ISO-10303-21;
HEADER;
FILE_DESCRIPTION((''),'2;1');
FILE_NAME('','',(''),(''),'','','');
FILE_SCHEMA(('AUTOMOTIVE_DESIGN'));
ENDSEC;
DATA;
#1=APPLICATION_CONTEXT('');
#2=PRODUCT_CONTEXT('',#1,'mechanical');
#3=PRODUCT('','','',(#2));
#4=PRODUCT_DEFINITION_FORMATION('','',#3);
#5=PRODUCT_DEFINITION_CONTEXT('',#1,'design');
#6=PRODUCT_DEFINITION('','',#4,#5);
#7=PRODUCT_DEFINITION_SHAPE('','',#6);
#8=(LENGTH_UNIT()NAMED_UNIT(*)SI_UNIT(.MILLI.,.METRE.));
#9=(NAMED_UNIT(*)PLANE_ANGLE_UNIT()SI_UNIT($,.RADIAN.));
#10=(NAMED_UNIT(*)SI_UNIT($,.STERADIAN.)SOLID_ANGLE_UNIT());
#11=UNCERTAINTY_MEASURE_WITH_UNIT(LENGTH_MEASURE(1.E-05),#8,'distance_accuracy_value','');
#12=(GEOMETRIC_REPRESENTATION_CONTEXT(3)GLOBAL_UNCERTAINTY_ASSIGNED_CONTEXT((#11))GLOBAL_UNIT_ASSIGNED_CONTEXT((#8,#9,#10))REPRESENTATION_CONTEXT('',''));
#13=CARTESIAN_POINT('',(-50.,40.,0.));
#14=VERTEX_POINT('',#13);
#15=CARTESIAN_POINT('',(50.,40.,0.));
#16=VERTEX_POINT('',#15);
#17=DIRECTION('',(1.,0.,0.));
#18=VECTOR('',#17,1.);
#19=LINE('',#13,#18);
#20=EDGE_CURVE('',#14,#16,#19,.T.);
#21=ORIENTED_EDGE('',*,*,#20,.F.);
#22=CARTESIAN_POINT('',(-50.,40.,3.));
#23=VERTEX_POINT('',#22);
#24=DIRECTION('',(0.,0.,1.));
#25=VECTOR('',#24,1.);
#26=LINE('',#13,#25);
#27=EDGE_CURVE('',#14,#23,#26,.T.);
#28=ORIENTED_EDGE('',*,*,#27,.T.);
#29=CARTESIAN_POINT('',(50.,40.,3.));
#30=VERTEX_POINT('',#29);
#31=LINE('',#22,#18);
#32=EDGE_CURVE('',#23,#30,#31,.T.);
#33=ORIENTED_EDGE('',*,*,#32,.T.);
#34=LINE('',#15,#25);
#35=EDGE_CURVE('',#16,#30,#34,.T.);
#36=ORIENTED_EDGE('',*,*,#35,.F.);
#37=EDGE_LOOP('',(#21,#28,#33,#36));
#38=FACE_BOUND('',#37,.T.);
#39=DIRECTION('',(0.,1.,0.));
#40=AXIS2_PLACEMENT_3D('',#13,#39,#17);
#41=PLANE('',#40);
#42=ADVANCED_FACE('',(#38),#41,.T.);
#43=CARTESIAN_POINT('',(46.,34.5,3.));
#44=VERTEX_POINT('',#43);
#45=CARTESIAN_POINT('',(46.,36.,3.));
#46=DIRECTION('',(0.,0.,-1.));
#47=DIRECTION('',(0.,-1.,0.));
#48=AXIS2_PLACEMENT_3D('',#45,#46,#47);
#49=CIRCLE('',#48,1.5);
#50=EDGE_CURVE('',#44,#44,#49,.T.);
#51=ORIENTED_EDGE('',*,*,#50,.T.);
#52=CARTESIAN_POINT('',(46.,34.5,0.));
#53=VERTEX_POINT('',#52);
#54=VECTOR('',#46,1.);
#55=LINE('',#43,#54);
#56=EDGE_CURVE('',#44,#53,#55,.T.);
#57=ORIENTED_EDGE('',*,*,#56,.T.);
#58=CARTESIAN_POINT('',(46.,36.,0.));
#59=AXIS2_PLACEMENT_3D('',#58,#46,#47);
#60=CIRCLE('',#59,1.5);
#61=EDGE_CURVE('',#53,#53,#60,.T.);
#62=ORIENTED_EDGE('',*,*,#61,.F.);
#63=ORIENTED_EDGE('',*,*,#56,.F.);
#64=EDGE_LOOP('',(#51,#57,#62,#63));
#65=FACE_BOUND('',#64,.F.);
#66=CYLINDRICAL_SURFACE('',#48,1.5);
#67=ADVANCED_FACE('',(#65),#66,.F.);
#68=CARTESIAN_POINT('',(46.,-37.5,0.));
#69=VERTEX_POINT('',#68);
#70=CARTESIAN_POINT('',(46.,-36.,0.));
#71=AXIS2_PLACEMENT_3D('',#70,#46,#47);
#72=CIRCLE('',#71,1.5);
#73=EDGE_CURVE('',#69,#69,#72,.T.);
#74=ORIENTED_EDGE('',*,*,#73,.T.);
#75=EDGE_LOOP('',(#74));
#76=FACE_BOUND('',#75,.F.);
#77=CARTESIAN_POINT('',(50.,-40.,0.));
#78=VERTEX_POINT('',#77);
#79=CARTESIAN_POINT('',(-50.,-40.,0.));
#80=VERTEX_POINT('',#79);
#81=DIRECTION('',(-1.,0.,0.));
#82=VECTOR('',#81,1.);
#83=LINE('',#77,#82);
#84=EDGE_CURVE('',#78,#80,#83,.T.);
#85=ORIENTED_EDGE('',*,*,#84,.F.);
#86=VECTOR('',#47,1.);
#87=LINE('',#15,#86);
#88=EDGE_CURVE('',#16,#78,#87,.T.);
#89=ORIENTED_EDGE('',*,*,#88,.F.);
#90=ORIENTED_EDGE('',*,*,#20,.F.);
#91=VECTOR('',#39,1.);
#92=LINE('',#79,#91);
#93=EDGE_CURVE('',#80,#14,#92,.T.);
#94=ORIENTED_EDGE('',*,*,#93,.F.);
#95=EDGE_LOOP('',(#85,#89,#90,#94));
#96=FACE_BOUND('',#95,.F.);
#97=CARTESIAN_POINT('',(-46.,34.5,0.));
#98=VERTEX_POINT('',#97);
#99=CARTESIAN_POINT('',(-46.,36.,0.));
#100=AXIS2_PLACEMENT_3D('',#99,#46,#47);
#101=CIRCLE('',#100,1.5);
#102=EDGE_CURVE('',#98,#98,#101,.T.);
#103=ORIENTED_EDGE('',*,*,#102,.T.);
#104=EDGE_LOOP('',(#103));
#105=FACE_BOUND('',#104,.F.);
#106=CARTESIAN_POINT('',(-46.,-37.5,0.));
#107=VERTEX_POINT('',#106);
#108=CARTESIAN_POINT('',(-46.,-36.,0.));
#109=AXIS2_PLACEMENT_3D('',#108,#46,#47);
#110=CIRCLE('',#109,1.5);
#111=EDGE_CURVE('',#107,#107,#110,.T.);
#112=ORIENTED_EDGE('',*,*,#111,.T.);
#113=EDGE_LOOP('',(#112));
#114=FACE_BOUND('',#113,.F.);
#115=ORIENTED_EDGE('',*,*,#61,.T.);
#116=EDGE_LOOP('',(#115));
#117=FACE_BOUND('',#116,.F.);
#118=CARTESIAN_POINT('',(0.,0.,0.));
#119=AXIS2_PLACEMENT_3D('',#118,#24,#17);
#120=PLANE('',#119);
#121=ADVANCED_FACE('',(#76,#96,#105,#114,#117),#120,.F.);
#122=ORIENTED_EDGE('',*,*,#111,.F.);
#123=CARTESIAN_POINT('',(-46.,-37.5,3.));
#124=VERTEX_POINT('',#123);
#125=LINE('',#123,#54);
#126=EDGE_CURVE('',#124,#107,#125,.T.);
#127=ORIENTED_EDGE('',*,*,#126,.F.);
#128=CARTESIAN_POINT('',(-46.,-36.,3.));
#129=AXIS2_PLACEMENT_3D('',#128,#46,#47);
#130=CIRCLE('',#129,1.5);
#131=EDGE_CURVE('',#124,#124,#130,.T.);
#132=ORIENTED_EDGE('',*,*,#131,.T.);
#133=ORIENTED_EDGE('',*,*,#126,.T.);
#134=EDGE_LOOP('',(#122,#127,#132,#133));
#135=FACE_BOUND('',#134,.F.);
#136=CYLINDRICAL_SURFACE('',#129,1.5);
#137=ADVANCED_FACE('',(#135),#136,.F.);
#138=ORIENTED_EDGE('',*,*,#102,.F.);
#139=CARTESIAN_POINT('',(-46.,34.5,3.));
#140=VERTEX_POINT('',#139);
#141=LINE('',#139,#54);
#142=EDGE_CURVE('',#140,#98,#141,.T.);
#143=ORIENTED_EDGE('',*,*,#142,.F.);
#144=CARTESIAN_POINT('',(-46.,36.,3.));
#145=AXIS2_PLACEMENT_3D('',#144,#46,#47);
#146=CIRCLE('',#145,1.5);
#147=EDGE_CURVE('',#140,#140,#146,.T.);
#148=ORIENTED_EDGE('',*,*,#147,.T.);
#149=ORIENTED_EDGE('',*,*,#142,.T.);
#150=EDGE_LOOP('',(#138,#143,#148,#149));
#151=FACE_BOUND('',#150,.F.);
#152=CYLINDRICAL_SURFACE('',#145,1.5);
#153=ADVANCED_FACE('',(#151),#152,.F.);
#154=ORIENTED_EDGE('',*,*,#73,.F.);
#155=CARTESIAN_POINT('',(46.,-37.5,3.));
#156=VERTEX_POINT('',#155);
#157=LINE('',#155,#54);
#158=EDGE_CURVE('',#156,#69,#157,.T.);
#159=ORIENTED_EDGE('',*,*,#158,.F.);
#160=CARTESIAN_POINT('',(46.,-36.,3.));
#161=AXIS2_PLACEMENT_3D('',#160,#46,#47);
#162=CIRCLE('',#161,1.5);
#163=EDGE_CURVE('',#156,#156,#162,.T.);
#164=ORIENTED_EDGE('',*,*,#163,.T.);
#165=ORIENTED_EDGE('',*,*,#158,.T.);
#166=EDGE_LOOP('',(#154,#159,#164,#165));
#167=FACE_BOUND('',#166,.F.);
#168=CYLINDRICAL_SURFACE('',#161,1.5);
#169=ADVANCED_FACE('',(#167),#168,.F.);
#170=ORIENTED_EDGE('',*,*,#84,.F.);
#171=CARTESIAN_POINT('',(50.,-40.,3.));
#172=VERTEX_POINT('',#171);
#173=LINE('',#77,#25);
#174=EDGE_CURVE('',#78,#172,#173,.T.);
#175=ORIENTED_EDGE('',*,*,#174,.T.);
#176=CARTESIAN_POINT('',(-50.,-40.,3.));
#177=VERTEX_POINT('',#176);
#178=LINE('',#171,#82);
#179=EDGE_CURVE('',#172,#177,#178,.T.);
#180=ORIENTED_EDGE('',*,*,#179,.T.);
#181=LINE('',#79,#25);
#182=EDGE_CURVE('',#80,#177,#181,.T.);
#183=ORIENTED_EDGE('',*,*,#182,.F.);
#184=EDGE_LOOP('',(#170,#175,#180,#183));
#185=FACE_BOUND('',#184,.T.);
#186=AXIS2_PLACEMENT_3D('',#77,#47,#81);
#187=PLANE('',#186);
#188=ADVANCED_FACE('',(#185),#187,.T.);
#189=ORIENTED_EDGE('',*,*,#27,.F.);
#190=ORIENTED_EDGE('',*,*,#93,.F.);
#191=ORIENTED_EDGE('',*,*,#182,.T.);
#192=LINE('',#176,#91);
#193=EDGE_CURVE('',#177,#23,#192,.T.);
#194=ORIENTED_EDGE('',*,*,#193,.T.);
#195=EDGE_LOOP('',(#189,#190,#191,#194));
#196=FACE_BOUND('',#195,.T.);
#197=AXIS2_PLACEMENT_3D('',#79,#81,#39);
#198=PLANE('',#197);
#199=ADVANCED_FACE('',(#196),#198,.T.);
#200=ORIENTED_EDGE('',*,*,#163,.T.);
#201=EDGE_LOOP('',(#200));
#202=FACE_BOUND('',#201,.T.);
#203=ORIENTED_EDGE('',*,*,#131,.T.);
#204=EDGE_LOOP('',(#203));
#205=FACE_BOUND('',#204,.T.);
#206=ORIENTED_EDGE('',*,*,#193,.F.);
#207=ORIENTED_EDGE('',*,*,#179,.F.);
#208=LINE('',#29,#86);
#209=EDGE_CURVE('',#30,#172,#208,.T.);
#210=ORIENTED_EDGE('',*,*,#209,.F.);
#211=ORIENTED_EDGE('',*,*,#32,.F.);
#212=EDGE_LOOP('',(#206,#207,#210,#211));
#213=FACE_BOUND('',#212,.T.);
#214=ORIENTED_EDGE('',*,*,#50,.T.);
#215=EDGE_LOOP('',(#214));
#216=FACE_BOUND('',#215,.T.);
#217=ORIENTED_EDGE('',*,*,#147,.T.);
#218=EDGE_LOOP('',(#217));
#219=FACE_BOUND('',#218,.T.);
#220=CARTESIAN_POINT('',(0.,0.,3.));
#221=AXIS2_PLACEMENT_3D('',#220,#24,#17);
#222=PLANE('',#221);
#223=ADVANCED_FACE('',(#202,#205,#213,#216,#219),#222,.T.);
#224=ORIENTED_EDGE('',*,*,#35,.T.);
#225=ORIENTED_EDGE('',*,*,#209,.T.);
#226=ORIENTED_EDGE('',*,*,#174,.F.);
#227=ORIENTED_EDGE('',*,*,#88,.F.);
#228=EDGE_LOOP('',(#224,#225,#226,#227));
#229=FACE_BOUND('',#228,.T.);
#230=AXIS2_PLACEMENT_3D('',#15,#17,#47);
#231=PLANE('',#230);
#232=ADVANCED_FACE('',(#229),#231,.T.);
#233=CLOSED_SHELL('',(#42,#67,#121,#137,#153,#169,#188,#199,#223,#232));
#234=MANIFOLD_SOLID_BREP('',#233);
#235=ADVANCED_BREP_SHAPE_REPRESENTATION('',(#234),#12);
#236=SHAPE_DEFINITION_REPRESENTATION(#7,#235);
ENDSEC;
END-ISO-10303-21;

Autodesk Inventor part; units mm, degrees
ref_plane "YZ Plane" through (0, 0, 0) normal (1, 0, 0) x (0, 1, 0)
ref_plane "XZ Plane" through (0, 0, 0) normal (0, 1, 0) x (-1, 0, 0)
ref_plane "XY Plane" through (0, 0, 0) normal (0, 0, 1) x (1, 0, 0)
sketch "スケッチ1" plane through (0, 0, 0) normal (0, 0, 1) x (1, 0, 0)
  line L0 (-50, 40) -> (50, 40)
  line L1 (50, 40) -> (50, -40)
  line L2 (50, -40) -> (-50, -40)
  line L3 (-50, -40) -> (-50, 40)
  line L4 (-50, 40) -> (50, -40) construction
  line L5 (50, 40) -> (-50, -40) construction
  point P0 (0, 0)
  dimension "d0" = 100
  dimension "d1" = 80
extrude "押し出し1" add sketch "スケッチ1" along normal blind 3
sketch "スケッチ2" plane through (0, 0, 3) normal (0, 0, 1) x (1, 0, 0)
  line L0 (-50, 40) -> (-50, -40) projected
  line L1 (50, 40) -> (-50, 40) projected
  line L2 (50, -40) -> (50, 40) projected
  line L3 (-50, -40) -> (50, -40) projected
  point P0 (0, 0)
  point P1 (-46, 36)
  point P2 (-46, -36)
  point P3 (46, -36)
  point P4 (46, -36)
  point P5 (46, 36)
  dimension "d4" = 4
  dimension "d5" = 4
  dimension "d6" = 4
  dimension "d7" = 4
hole "穴1" at (-46, 36, 3) at (-46, -36, 3) at (46, -36, 3) at (46, 36, 3) direction (0, 0, -1) diameter 3 end through all
properties part number "Main board ver2"
